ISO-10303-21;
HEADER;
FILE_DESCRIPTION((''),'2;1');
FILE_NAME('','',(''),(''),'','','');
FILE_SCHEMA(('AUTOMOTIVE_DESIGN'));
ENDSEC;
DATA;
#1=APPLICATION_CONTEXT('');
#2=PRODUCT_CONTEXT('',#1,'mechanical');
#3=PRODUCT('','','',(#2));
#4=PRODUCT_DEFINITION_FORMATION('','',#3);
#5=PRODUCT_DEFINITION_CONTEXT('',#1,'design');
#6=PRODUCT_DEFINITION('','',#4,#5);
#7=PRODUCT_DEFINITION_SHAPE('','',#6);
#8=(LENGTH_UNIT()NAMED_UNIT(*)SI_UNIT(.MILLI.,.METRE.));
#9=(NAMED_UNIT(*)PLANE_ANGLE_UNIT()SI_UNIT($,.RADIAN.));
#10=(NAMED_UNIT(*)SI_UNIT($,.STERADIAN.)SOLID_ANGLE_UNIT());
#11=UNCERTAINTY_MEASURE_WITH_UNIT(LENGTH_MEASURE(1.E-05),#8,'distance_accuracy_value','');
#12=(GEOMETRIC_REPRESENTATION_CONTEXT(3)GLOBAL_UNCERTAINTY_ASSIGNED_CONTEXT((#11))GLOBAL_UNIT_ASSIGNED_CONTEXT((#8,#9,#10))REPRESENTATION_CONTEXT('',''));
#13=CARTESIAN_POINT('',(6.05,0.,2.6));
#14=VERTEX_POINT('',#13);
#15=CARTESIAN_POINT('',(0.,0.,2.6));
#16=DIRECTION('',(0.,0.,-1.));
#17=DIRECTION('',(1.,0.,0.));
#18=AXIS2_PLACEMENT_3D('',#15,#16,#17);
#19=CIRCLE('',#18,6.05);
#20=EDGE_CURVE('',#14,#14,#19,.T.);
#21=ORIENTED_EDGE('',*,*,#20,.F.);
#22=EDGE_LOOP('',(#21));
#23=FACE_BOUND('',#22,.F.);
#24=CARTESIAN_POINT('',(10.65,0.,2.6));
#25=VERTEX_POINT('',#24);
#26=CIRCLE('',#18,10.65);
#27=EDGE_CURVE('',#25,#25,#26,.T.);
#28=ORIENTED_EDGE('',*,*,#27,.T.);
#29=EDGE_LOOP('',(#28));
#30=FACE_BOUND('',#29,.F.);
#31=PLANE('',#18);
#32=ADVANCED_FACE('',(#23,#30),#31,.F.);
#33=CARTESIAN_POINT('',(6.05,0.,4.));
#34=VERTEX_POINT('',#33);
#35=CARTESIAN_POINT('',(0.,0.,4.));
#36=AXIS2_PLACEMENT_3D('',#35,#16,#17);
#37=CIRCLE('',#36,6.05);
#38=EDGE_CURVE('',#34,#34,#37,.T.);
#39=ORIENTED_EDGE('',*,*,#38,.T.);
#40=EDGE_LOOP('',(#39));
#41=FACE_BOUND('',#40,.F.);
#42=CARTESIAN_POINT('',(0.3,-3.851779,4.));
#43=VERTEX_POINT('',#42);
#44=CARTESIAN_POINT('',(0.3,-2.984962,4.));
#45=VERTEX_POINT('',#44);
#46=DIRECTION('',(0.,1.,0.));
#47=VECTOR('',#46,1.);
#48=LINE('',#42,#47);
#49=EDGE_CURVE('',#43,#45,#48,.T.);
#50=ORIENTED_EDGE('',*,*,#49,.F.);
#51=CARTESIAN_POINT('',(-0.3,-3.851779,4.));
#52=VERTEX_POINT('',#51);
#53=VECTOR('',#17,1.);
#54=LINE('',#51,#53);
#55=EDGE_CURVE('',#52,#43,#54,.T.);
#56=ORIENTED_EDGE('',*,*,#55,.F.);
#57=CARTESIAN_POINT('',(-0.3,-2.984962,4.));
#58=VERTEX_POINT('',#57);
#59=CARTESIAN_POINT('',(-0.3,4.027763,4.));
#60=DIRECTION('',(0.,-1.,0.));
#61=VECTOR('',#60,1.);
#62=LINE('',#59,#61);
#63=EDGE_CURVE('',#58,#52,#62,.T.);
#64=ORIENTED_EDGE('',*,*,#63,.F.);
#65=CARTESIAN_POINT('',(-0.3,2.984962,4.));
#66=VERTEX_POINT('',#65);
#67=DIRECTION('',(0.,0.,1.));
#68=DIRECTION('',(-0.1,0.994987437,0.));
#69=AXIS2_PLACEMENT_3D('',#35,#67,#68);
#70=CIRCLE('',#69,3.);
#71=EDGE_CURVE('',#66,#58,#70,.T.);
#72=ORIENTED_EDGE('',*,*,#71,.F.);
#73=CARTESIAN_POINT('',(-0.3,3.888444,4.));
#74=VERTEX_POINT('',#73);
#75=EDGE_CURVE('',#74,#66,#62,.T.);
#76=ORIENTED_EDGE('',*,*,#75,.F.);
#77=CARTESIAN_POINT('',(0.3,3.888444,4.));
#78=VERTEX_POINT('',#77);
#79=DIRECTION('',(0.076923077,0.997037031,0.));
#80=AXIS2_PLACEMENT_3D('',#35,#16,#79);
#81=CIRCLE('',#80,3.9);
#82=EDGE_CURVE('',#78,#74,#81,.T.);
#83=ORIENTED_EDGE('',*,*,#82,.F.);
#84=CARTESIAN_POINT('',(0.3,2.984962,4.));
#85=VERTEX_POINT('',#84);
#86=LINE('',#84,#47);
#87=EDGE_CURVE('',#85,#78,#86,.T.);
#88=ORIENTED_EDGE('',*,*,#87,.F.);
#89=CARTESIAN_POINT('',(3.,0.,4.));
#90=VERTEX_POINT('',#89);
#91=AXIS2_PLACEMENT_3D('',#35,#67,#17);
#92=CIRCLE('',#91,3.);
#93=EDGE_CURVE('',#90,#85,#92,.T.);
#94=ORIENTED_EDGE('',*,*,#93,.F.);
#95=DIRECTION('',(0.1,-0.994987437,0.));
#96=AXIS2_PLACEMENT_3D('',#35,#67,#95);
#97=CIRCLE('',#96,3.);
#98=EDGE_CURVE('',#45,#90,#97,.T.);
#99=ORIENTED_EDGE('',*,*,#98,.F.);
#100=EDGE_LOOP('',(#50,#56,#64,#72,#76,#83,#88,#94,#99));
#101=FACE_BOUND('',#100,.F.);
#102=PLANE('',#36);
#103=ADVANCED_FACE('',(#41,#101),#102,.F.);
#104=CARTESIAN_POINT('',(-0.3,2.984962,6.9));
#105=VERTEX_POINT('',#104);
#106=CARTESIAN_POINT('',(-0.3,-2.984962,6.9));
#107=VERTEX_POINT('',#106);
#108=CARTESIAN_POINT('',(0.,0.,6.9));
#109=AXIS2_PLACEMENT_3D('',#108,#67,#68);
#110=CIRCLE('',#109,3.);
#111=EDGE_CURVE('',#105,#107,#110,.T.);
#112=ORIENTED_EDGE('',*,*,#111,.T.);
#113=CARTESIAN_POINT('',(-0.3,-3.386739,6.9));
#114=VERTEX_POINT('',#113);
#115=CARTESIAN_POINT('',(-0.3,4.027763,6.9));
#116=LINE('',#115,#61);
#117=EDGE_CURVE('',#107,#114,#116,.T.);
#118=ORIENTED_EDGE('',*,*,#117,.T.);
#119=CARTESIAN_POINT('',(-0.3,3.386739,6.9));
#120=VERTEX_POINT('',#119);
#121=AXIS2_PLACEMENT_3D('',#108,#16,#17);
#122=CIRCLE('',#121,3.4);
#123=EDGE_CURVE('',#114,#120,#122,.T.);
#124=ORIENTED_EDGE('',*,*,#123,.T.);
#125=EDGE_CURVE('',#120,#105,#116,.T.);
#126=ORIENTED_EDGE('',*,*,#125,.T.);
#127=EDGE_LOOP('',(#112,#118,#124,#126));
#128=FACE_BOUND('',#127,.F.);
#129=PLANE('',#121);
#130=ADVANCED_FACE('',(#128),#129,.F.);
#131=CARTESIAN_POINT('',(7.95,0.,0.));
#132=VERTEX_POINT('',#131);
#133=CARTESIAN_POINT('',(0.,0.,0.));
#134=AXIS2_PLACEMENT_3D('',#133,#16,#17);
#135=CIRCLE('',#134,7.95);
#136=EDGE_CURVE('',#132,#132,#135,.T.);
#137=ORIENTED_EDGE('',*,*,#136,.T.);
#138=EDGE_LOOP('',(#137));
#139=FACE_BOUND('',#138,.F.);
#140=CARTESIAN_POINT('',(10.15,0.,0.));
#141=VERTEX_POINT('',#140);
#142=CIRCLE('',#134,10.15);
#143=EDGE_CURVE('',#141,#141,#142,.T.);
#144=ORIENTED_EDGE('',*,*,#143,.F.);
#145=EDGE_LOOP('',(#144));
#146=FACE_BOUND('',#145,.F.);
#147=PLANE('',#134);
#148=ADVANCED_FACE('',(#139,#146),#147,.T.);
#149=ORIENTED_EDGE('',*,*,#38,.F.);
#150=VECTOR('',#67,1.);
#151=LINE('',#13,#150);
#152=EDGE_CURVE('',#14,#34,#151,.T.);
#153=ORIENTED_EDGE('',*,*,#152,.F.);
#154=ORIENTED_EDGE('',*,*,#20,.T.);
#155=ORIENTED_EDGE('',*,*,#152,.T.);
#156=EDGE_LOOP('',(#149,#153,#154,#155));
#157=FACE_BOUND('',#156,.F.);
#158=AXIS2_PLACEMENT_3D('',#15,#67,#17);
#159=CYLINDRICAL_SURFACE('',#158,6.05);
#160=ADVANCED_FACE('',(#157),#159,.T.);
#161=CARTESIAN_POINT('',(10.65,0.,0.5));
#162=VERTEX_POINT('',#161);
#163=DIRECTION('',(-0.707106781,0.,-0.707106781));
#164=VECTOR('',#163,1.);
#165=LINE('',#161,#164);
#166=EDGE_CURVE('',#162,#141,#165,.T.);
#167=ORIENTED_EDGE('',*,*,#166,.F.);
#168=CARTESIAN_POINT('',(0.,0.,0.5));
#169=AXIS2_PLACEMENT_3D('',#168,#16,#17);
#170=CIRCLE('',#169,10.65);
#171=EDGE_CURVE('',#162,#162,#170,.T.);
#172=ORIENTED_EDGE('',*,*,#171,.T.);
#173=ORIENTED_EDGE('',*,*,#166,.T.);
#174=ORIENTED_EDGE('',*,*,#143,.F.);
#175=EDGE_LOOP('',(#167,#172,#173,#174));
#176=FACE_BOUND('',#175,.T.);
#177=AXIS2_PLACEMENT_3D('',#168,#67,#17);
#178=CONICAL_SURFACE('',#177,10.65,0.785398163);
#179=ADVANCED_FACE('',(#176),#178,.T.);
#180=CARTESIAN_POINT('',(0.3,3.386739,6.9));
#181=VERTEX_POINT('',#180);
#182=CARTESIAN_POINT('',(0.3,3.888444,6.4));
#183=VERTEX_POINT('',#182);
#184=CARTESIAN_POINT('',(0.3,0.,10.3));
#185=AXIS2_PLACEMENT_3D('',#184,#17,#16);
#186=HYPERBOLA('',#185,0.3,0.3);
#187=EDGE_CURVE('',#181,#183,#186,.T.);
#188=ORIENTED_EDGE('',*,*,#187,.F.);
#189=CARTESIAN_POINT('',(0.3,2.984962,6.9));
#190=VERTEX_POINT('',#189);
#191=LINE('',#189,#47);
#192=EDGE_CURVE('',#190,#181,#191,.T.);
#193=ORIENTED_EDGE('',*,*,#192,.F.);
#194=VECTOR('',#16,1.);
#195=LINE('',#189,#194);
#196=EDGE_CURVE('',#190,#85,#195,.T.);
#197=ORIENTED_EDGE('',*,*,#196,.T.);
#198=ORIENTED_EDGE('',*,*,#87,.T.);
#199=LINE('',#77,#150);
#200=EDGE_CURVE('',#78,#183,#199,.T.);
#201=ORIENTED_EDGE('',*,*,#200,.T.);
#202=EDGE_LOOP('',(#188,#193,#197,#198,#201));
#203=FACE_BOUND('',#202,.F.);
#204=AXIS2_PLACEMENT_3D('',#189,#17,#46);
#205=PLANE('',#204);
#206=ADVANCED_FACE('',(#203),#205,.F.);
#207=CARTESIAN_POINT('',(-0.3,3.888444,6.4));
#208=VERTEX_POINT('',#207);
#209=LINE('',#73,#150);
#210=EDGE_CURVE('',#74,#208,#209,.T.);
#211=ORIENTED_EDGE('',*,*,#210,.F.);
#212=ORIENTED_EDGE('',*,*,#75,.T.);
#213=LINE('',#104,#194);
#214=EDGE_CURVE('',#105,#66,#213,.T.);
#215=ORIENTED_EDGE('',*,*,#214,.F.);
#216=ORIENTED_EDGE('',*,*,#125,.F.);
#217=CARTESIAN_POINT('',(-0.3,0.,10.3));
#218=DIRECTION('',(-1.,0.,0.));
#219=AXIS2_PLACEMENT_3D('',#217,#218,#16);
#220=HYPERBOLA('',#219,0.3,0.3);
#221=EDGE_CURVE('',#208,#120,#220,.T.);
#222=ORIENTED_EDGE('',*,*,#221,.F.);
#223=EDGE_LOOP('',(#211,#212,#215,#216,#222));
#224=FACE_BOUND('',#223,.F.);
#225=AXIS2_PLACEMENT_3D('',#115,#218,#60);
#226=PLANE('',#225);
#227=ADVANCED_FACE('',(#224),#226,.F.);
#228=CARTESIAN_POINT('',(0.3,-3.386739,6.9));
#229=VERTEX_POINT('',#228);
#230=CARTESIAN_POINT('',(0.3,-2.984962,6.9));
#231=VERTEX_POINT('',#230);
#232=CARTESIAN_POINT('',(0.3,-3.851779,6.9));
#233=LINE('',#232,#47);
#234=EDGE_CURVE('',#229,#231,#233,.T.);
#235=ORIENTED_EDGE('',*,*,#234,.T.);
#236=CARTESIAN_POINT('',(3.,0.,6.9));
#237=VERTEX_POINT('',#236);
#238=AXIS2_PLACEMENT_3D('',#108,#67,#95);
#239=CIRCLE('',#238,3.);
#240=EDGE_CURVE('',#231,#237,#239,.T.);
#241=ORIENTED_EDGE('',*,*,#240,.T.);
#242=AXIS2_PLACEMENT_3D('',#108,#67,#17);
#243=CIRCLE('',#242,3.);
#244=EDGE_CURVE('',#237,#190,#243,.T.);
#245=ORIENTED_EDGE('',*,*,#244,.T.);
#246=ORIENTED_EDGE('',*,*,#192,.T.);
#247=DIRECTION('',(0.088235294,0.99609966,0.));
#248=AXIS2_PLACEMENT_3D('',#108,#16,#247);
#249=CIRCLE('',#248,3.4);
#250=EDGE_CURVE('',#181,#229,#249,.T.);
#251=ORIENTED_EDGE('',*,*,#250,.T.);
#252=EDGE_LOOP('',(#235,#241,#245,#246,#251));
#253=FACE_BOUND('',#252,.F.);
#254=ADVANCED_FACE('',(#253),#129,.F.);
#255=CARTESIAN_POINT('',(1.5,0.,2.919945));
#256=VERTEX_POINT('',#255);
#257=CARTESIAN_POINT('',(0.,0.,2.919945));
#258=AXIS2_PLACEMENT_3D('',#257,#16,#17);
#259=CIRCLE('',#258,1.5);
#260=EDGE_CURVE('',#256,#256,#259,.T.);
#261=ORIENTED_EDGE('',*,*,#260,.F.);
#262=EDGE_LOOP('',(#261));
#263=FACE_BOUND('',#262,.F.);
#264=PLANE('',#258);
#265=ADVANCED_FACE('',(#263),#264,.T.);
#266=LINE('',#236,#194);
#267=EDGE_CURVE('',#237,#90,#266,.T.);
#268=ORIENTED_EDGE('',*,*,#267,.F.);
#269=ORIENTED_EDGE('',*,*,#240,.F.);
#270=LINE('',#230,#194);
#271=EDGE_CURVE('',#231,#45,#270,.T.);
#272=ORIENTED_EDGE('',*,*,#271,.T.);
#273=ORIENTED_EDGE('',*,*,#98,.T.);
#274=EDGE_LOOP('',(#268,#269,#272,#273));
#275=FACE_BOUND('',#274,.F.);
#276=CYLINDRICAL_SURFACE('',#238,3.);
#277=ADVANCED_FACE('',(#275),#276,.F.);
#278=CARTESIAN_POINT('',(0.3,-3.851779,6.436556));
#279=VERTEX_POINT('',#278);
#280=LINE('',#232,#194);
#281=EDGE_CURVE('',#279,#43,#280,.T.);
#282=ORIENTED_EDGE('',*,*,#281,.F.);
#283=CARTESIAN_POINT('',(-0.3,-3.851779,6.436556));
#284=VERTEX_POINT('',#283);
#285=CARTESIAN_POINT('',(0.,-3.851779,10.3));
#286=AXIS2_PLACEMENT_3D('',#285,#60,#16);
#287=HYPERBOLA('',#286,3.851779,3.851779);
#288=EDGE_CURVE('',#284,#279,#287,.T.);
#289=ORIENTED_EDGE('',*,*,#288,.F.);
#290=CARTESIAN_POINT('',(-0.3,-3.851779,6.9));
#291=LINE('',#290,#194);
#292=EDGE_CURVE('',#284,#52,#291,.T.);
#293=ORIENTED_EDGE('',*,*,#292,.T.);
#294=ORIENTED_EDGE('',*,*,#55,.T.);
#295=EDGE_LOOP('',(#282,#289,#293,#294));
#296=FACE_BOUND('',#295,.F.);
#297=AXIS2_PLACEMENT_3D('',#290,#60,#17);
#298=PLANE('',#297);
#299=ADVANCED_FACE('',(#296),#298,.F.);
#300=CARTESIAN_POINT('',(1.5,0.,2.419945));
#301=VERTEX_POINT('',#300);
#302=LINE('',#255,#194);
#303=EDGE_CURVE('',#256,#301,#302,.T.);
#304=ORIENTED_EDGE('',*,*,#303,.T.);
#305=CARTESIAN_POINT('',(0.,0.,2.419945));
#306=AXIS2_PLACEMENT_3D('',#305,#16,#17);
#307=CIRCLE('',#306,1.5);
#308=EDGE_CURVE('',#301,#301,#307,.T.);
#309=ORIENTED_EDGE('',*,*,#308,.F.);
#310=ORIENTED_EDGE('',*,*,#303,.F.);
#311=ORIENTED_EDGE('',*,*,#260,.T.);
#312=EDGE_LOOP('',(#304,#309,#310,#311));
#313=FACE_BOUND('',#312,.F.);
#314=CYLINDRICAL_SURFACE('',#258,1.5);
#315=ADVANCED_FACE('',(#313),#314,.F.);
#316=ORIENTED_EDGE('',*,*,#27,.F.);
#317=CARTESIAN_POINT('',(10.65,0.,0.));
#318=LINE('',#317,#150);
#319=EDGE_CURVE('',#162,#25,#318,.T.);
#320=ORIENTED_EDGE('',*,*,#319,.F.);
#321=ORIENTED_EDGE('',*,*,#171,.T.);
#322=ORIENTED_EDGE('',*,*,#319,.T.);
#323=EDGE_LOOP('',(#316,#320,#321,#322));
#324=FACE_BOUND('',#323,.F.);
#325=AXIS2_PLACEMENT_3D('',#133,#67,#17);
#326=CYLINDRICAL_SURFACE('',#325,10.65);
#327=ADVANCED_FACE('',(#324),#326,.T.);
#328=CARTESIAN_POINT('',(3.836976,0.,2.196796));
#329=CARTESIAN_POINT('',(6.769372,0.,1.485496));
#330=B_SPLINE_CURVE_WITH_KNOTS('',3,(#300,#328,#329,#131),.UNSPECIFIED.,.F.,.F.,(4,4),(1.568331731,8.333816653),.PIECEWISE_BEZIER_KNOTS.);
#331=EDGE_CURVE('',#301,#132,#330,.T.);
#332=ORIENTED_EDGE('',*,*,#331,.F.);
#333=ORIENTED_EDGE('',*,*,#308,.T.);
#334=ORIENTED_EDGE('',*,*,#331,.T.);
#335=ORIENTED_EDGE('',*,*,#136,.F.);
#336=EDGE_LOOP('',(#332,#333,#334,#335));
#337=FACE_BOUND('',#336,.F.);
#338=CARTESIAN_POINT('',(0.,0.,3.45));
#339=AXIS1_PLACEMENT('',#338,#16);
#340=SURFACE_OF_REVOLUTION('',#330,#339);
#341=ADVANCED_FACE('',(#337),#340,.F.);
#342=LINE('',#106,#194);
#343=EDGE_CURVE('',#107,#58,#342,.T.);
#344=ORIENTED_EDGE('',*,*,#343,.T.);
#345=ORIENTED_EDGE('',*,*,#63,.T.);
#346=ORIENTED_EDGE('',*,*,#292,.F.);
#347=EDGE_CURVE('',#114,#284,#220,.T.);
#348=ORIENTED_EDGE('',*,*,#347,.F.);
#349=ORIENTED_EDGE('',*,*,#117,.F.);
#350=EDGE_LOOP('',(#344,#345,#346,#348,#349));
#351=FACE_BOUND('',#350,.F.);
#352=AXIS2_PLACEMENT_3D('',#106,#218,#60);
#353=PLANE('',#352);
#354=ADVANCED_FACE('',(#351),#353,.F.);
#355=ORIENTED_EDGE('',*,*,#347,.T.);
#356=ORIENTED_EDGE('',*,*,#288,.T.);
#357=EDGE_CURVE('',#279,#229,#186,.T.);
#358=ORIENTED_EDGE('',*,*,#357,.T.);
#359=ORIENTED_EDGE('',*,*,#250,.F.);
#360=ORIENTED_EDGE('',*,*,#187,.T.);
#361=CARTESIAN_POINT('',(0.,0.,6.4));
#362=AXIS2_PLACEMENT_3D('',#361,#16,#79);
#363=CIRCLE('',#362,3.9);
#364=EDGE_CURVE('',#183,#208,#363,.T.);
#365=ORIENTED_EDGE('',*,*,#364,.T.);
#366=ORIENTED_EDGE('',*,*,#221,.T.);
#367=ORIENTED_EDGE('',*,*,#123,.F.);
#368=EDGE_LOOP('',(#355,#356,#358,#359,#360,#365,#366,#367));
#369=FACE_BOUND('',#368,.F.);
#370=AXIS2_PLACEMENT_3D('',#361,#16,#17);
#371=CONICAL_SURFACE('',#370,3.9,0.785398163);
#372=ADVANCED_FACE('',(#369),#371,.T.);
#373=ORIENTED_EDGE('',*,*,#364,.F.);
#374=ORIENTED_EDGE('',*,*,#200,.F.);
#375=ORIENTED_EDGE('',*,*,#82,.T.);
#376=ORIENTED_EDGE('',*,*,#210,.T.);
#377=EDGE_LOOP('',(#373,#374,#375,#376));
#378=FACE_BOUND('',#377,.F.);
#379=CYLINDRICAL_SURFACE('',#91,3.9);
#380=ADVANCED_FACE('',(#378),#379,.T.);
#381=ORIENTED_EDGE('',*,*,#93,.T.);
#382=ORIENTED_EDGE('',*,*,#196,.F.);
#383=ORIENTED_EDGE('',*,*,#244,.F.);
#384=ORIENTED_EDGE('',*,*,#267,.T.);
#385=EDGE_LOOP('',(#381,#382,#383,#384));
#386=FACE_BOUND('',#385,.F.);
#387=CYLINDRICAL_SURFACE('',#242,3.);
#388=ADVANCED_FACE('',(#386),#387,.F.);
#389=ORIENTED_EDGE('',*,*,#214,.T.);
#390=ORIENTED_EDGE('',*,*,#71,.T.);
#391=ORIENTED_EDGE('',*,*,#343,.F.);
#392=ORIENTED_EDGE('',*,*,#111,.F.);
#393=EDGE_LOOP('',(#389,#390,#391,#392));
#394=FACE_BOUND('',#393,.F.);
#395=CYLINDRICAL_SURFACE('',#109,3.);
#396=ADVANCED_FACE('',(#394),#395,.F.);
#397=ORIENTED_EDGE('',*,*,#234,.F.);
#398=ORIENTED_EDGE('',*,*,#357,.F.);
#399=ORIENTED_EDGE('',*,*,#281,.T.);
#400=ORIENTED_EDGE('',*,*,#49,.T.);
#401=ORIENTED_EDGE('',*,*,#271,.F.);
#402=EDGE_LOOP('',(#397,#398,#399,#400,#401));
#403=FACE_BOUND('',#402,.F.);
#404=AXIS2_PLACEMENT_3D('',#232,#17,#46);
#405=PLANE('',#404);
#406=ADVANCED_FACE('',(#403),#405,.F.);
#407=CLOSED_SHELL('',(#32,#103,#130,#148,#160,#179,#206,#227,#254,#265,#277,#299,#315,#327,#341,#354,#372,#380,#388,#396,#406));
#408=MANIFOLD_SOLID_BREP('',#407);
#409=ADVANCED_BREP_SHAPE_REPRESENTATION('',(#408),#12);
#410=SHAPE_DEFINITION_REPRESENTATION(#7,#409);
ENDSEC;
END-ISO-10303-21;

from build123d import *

# Parameters (mm, degrees)
F2_SIZE  = 0.5
F3_SIZE  = 0.5
F6_DEPTH = 2.9


with BuildPart() as f1:
    # F0 (on Front) → F1 (revolve)
    with BuildSketch(Plane.XZ):
        with BuildLine():
            add(Edge.make_bspline(
                [(1.5, 2.4199453937), (3.8369755758, 2.1967958582), (6.7693715651, 1.4854960684), (7.95, 0)],
                knots=[1.568331731, 1.568331731, 1.568331731, 1.568331731, 8.3338166527, 8.3338166527, 8.3338166527, 8.3338166527], degree=3))
            Line((7.95, 0), (10.65, 0))
            Line((10.65, 0), (10.65, 2.6))
            Line((10.65, 2.6), (6.05, 2.6))
            Line((6.05, 2.6), (6.05, 4))
            Line((6.05, 4), (3.9, 4))
            Line((3.9, 4), (3.9, 6.9))
            Line((3.9, 6.9), (0, 6.9))
            Line((0, 6.9), (0, 2.9199453937))
            Line((0, 2.9199453937), (1.5, 2.9199453937))
            Line((1.5, 2.9199453937), (1.5, 2.4199453937))
        make_face()
    revolve(axis=Axis((0, 0, 3.45), (0, 0, -1)))

    # F2
    f2_edges = [f1.edges().sort_by_distance(p)[0] for p in [
        (-3.9, 0, 6.9),
    ]]
    chamfer(f2_edges, length=F2_SIZE)

    # F3
    f3_edges = [f1.edges().sort_by_distance(p)[0] for p in [
        (-10.65, 0, 0),
    ]]
    chamfer(f3_edges, length=F3_SIZE)

    # F5 (on offset) → F6 (cut)
    with BuildSketch(Plane.XY.offset(6.9)):
        with BuildLine():
            ThreePointArc((0.3, -2.9849623113), (2.2248595461, -2.0124611797), (3, 0))
            ThreePointArc((3, 0), (2.2248595461, 2.0124611797), (0.3, 2.9849623113))
            Line((0.3, 2.9849623113), (0.3, 0))
            Line((0.3, 0), (0.3, -2.9849623113))
        make_face()
        with BuildLine():
            Line((0.3, 0), (0.3, 2.9849623113))
            ThreePointArc((0.3, 2.9849623113), (0, 3), (-0.3, 2.9849623113))
            Line((-0.3, 2.9849623113), (-0.3, 0))
            Line((-0.3, 0), (0, 0))
            Line((0, 0), (0.3, 0))
        make_face()
        with BuildLine():
            ThreePointArc((-0.3, 2.9849623113), (0, 3), (0.3, 2.9849623113))
            Line((0.3, 2.9849623113), (0.3, 4.0277631488))
            Line((0.3, 4.0277631488), (-0.3, 4.0277631488))
            Line((-0.3, 4.0277631488), (-0.3, 2.9849623113))
        make_face()
        with BuildLine():
            Line((0.3, -3.8517790381), (0.3, -2.9849623113))
            ThreePointArc((0.3, -2.9849623113), (0, -3), (-0.3, -2.9849623113))
            Line((-0.3, -2.9849623113), (-0.3, -3.8517790381))
            Line((-0.3, -3.8517790381), (0.3, -3.8517790381))
        make_face()
        with BuildLine():
            ThreePointArc((-0.3, -2.9849623113), (0, -3), (0.3, -2.9849623113))
            Line((0.3, -2.9849623113), (0.3, 0))
            Line((0.3, 0), (0, 0))
            Line((0, 0), (-0.3, 0))
            Line((-0.3, 0), (-0.3, -2.9849623113))
        make_face()
        with BuildLine():
            Line((-0.3, 0), (-0.3, 2.9849623113))
            ThreePointArc((-0.3, 2.9849623113), (-3, 0), (-0.3, -2.9849623113))
            Line((-0.3, -2.9849623113), (-0.3, 0))
        make_face()
    extrude(amount=-F6_DEPTH, mode=Mode.SUBTRACT)


solid = f1.part
